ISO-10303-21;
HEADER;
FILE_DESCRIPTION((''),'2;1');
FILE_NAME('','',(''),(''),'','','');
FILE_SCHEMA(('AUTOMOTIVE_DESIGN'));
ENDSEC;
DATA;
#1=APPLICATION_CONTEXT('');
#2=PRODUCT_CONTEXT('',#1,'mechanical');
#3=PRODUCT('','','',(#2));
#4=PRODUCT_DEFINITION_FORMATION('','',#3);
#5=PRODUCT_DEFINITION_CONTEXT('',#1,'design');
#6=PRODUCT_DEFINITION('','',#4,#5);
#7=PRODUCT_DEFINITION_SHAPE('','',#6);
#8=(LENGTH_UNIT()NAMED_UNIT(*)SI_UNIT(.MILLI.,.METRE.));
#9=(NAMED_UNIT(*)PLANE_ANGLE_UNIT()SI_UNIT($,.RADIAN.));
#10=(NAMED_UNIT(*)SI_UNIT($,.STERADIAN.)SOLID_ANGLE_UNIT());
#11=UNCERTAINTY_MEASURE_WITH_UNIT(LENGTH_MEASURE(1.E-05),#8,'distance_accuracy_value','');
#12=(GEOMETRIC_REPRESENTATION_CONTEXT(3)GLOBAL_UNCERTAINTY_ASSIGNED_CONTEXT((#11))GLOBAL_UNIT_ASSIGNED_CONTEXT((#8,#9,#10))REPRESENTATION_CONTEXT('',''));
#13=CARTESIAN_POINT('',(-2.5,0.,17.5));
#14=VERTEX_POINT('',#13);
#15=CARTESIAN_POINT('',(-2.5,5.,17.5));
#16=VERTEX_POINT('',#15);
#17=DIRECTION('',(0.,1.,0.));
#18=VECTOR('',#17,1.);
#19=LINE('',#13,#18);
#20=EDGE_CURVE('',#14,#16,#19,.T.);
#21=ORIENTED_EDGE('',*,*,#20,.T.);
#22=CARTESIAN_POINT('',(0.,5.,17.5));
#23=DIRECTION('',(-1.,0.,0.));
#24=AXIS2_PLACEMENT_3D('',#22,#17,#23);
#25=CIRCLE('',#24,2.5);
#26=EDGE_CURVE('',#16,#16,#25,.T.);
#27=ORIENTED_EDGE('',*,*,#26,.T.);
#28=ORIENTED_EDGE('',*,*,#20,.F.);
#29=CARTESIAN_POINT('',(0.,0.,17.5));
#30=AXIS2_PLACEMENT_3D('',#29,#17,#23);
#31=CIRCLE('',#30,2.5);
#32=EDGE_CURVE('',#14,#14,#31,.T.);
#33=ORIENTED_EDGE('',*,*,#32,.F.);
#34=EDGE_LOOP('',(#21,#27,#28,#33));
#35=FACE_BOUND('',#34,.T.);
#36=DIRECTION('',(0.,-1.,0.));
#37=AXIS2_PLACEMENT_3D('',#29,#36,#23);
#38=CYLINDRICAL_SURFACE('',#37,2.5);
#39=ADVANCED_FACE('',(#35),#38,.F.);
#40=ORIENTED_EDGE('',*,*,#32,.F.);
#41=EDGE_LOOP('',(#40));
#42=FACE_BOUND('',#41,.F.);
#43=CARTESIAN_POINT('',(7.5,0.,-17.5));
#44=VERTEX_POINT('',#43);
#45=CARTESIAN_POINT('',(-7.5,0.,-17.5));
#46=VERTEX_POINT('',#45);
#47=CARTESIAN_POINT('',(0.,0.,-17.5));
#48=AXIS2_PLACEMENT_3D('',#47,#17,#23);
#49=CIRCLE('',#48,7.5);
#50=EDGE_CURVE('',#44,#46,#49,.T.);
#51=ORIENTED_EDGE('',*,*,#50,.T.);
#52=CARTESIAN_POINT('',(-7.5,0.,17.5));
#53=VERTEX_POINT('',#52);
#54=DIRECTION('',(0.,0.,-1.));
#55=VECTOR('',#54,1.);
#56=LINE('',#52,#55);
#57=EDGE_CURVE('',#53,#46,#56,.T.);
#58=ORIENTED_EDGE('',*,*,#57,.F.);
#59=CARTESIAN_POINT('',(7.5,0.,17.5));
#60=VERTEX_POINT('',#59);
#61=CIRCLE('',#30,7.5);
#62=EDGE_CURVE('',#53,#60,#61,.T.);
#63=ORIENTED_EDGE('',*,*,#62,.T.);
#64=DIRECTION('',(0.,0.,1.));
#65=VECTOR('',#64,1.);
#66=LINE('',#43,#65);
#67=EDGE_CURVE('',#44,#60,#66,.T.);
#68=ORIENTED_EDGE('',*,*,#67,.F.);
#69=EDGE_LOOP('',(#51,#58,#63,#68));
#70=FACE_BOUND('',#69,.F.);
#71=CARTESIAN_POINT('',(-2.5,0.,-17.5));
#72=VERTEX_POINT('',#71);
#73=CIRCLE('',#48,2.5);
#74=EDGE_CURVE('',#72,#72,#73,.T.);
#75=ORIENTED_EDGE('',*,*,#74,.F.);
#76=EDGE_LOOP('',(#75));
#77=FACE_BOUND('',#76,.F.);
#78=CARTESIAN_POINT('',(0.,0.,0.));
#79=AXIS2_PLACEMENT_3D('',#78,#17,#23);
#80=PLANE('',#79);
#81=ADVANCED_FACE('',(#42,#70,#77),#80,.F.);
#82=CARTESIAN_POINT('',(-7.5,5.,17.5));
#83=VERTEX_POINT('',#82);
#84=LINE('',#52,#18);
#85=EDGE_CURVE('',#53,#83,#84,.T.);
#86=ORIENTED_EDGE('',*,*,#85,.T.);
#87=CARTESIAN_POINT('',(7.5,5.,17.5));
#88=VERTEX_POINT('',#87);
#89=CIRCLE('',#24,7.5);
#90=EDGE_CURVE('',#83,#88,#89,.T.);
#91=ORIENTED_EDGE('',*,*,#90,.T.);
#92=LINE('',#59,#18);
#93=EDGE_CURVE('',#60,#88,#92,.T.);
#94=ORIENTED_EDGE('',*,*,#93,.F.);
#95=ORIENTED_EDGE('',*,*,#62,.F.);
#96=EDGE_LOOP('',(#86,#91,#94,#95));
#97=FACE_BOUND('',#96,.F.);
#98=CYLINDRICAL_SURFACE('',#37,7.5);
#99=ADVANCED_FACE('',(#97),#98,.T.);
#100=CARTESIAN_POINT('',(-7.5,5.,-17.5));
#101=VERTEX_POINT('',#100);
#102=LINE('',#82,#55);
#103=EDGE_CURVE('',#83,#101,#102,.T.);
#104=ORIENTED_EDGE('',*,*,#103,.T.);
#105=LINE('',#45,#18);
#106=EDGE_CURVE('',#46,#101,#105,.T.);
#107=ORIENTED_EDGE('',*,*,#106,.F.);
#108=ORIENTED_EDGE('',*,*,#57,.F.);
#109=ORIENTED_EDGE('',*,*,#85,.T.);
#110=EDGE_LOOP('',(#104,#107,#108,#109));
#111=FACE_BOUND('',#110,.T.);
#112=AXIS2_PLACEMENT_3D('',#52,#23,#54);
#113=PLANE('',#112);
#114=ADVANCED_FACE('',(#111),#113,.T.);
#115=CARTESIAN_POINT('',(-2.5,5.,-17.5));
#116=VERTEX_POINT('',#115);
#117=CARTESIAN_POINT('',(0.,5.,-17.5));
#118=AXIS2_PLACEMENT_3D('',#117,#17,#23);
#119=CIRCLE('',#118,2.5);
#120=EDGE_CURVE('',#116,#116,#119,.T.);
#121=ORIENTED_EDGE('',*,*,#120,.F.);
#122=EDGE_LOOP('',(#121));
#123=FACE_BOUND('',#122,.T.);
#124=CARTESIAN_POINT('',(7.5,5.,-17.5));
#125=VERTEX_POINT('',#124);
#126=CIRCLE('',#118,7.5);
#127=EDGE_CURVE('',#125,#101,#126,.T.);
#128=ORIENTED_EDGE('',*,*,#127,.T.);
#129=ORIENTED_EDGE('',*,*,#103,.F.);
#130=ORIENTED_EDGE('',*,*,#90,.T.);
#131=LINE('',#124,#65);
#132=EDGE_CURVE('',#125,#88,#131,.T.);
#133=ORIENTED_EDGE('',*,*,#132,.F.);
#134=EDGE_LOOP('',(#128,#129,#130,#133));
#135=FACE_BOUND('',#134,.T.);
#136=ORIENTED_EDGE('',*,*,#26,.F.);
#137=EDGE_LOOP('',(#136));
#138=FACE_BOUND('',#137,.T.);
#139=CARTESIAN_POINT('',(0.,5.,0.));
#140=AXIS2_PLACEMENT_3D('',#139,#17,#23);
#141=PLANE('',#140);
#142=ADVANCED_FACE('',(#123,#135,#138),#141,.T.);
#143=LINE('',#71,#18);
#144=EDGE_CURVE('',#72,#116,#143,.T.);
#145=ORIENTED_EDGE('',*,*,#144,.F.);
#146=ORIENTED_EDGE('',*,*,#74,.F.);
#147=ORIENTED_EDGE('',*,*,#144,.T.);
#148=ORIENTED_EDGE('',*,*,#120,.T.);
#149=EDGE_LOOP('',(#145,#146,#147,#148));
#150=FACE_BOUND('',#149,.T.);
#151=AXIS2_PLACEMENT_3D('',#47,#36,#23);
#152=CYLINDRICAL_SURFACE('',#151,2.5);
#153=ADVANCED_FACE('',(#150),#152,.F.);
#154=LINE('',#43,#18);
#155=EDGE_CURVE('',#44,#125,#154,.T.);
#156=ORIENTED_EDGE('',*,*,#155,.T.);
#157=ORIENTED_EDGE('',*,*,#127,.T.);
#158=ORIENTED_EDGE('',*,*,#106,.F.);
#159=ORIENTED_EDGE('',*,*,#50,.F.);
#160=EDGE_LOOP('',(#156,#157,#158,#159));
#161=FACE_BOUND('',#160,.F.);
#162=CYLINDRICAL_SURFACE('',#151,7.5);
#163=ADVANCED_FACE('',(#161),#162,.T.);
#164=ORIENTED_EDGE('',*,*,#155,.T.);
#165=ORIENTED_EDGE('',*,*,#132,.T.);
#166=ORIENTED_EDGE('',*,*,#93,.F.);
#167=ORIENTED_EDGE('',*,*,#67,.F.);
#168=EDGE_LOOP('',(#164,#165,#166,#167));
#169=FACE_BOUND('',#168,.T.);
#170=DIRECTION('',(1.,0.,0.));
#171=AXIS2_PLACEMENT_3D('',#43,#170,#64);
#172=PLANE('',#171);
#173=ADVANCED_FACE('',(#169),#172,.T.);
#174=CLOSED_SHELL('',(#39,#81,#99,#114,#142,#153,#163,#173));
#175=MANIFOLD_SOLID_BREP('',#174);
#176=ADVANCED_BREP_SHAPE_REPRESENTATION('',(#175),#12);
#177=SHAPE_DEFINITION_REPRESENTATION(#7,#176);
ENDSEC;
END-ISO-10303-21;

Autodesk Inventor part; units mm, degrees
ref_plane "YZ Plane" through (0, 0, 0) normal (1, 0, 0) x (0, 1, 0)
ref_plane "XZ Plane" through (0, 0, 0) normal (0, 1, 0) x (-1, 0, 0)
ref_plane "XY Plane" through (0, 0, 0) normal (0, 0, 1) x (1, 0, 0)
sketch "Sketch1" plane through (0, 0, 0) normal (0, 1, 0) x (-1, 0, 0)
  line L0 (-7.5, 17.5) -> (7.5, 17.5) construction
  line L1 (7.5, 17.5) -> (7.5, -17.5)
  line L2 (7.5, -17.5) -> (-7.5, -17.5) construction
  line L3 (-7.5, -17.5) -> (-7.5, 17.5)
  line L4 (-7.5, 17.5) -> (7.5, -17.5) construction
  line L5 (7.5, 17.5) -> (-7.5, -17.5) construction
  circle A0 centre (0, 17.5) radius 2.5
  circle A1 centre (0, 17.5) radius 7.5
  circle A2 centre (0, -17.5) radius 2.5
  circle A3 centre (0, -17.5) radius 7.5
  point P0 (0, 0)
  point P1 (-7.5, 17.5)
  point P2 (-7.5, -17.5)
  dimension "d4" = 15
  dimension "d0" = 35
  dimension "d1" = 15
  dimension "d5" = 5
  dimension "d6" = 5
extrude "Extrusion1" add sketch "Sketch1" along normal blind 5
equation "\"d4\" = d1"
equation "\"d6\" = d5"
properties part number "scissor-link"
